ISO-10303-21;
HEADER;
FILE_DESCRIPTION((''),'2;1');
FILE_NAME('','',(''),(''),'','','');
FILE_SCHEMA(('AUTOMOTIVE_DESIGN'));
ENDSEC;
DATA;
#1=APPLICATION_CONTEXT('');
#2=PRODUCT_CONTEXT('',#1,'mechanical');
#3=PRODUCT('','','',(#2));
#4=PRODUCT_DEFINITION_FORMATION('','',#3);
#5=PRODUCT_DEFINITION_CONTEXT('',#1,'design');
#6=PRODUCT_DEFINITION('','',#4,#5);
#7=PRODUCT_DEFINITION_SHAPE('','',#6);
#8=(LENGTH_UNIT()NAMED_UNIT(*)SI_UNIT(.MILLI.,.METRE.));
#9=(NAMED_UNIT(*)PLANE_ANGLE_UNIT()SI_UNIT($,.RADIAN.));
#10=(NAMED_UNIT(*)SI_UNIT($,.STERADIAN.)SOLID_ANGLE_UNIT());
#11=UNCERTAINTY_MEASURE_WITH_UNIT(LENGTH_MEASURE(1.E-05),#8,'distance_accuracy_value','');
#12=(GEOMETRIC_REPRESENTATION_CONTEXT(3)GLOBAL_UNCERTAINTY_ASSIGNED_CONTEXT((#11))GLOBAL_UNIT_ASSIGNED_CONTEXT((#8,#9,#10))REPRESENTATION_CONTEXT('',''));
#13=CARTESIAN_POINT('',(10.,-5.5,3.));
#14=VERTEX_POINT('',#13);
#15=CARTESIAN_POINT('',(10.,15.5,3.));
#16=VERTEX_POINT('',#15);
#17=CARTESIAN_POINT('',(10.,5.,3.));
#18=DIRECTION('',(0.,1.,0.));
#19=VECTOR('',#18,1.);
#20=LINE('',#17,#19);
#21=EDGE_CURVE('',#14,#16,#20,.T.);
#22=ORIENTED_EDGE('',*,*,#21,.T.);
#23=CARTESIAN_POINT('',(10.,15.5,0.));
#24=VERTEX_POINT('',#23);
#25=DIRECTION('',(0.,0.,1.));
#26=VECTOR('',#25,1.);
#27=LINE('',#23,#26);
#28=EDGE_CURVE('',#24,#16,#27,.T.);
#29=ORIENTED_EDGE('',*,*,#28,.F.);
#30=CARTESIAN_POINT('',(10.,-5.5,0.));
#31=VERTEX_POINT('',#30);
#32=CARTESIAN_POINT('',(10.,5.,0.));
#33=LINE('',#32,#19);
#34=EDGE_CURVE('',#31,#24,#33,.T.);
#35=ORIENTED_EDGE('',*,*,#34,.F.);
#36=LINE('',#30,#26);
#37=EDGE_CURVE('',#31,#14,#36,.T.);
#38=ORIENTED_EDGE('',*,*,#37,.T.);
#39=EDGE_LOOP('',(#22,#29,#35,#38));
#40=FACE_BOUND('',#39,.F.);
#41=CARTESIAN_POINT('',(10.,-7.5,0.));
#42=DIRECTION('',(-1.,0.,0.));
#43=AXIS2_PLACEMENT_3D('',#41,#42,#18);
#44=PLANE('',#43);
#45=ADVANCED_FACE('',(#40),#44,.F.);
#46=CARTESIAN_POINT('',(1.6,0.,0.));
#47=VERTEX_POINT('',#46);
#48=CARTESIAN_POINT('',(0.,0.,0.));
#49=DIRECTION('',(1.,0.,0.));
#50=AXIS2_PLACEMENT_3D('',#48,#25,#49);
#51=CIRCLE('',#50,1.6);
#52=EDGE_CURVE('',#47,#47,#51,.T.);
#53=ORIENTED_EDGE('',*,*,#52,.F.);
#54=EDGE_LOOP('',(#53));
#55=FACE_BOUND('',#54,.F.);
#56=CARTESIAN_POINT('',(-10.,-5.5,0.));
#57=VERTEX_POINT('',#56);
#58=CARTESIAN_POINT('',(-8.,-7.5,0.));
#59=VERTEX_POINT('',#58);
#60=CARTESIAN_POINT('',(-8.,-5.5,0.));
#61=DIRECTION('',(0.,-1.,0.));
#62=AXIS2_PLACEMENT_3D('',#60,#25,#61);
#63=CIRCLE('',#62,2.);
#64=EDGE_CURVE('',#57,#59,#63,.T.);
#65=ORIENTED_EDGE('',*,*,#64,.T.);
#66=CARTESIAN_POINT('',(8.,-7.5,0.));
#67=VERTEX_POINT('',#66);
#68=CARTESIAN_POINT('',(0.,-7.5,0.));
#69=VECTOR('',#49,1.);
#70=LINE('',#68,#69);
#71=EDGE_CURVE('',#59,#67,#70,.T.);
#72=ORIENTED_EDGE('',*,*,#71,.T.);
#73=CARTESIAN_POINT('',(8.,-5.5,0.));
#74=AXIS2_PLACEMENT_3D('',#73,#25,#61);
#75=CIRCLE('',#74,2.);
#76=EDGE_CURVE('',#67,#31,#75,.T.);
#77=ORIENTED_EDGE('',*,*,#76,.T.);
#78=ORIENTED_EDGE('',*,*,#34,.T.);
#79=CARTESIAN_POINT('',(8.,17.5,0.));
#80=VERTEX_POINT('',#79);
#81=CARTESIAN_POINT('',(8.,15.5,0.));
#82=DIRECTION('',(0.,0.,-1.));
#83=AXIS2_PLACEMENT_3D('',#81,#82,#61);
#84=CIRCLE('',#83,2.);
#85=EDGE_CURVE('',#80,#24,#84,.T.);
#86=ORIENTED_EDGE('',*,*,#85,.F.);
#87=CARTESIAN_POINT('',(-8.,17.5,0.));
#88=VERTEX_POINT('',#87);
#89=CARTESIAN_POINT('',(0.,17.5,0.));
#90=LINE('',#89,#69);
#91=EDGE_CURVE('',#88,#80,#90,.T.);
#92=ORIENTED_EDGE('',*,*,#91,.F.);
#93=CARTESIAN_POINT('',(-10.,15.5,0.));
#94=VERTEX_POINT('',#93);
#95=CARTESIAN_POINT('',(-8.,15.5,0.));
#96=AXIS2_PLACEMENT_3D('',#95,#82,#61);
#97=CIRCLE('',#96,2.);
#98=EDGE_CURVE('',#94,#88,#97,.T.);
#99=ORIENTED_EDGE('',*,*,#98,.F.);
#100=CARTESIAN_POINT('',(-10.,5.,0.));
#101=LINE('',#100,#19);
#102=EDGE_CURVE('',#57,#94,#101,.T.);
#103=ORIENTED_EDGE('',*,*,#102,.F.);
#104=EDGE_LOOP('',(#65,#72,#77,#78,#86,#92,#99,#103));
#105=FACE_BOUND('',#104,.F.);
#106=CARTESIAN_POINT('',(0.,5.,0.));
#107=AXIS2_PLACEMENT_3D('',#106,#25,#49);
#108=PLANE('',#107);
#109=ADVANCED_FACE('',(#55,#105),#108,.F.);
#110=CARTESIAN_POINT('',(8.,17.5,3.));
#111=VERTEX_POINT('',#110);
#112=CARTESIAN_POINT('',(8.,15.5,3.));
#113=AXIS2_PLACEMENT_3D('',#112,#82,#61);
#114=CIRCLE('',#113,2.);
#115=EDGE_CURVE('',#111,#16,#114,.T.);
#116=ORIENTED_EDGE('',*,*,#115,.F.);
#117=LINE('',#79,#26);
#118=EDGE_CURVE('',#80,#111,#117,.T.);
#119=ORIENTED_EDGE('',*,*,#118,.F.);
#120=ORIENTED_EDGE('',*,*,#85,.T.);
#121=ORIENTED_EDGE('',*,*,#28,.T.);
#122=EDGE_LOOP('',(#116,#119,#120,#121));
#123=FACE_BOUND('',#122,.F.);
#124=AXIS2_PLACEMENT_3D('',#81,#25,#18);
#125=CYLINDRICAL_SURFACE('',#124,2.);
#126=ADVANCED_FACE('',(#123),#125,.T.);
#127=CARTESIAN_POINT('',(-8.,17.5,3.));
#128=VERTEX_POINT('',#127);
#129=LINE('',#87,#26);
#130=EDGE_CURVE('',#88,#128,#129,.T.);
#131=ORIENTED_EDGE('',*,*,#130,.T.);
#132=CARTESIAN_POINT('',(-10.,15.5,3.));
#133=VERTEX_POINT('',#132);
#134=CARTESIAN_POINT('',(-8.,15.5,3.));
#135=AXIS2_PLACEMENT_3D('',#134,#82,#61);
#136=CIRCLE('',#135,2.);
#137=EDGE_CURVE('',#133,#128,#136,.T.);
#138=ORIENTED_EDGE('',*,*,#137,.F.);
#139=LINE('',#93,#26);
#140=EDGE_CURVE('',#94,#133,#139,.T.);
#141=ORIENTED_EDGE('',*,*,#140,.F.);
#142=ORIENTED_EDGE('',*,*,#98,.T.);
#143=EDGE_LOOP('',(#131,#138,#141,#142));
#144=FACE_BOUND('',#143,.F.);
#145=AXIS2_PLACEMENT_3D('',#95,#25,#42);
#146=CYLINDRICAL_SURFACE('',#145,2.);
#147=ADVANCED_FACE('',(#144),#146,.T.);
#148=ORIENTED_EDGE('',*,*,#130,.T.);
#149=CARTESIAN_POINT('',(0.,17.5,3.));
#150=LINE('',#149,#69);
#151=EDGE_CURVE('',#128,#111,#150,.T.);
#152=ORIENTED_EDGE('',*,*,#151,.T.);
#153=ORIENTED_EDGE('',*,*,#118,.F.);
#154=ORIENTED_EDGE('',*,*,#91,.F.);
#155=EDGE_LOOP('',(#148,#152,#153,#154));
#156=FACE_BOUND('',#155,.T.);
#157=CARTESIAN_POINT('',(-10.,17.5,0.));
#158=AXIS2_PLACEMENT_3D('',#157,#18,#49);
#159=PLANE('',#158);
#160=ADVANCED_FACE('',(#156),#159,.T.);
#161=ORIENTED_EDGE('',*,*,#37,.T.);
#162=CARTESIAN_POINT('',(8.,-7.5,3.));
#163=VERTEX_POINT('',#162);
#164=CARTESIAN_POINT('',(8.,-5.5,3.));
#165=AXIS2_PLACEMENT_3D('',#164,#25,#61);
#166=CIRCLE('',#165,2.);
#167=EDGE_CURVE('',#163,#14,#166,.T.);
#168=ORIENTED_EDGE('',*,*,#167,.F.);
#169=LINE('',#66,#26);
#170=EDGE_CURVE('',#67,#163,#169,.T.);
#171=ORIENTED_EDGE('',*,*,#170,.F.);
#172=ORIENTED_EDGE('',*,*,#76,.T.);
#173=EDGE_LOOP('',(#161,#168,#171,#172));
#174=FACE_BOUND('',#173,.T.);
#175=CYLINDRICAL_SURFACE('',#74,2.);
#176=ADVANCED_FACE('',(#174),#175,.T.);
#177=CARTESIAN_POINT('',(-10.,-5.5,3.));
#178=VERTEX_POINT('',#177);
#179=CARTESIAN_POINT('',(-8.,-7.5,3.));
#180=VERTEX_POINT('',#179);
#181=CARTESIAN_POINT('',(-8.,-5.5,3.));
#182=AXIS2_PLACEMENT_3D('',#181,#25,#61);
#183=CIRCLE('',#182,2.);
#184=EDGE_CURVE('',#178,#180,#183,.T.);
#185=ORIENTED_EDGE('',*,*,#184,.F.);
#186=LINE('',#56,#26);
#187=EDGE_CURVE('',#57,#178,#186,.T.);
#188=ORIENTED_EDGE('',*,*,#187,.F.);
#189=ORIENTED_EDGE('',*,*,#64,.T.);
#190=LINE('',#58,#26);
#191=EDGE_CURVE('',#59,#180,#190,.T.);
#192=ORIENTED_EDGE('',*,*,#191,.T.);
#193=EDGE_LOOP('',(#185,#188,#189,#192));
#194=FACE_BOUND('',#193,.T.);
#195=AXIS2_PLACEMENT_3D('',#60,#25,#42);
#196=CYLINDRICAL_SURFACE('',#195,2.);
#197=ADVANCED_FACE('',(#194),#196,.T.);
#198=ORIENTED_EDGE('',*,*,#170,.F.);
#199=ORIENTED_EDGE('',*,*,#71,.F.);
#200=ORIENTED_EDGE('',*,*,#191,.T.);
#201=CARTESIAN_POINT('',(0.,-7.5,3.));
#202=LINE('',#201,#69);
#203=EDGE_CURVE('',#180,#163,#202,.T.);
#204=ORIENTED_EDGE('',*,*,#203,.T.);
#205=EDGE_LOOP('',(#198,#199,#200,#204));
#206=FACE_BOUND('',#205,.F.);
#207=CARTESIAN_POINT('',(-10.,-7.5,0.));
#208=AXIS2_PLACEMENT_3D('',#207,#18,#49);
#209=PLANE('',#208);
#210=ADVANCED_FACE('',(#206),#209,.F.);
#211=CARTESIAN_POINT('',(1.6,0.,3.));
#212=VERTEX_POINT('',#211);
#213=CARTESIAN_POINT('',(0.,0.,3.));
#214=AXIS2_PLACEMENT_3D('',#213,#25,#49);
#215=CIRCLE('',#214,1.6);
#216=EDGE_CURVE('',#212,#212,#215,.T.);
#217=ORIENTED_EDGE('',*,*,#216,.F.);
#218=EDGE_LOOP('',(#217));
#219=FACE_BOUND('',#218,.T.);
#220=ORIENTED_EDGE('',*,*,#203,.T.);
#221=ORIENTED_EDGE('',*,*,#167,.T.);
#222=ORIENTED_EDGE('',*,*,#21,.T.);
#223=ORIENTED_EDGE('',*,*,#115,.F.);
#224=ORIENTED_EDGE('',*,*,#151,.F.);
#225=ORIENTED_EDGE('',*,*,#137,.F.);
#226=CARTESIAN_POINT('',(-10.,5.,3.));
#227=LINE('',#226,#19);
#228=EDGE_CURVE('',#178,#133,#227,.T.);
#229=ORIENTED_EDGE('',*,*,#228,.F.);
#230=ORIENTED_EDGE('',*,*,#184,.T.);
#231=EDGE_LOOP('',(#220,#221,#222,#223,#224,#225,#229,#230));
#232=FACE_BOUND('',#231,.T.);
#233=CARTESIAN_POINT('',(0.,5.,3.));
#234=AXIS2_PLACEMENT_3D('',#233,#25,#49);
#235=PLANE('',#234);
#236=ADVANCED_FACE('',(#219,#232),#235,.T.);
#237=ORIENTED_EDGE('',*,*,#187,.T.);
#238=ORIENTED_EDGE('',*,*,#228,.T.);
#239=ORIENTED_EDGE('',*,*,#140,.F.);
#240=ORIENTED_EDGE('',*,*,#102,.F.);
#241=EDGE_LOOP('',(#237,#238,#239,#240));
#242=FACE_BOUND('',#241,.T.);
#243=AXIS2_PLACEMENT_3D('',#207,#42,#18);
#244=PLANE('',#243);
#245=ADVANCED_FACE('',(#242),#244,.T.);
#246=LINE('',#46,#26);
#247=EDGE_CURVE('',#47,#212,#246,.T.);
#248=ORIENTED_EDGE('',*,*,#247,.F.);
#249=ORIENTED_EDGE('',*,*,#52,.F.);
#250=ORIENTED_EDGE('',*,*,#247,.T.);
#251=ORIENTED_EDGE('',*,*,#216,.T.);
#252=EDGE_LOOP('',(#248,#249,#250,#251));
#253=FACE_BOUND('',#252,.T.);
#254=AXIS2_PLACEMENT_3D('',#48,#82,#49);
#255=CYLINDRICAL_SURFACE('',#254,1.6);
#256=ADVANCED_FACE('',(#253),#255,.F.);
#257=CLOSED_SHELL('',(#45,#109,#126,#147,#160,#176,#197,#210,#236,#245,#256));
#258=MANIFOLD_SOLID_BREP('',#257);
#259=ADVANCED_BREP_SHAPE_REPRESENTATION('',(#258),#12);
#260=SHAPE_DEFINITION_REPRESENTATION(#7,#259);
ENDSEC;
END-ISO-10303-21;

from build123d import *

# Parameters (mm, degrees)
F0_W     = 20
F0_H     = 25
F0_R     = 1.6
F1_DEPTH = 3
F2_R     = 2


with BuildPart() as f1:
    # F0 (on Top) → F1 (new body)
    with BuildSketch(Plane.XY):
        with Locations((0, 5)):
            Rectangle(F0_W, F0_H)
        Circle(F0_R, mode=Mode.SUBTRACT)
    extrude(amount=F1_DEPTH)

    # F2
    f2_edges = [f1.edges().sort_by_distance(p)[0] for p in [
        (-10, -7.5, 1.5),
        (10, -7.5, 1.5),
        (-10, 17.5, 1.5),
        (10, 17.5, 1.5),
    ]]
    fillet(f2_edges, radius=F2_R)


solid = f1.part
